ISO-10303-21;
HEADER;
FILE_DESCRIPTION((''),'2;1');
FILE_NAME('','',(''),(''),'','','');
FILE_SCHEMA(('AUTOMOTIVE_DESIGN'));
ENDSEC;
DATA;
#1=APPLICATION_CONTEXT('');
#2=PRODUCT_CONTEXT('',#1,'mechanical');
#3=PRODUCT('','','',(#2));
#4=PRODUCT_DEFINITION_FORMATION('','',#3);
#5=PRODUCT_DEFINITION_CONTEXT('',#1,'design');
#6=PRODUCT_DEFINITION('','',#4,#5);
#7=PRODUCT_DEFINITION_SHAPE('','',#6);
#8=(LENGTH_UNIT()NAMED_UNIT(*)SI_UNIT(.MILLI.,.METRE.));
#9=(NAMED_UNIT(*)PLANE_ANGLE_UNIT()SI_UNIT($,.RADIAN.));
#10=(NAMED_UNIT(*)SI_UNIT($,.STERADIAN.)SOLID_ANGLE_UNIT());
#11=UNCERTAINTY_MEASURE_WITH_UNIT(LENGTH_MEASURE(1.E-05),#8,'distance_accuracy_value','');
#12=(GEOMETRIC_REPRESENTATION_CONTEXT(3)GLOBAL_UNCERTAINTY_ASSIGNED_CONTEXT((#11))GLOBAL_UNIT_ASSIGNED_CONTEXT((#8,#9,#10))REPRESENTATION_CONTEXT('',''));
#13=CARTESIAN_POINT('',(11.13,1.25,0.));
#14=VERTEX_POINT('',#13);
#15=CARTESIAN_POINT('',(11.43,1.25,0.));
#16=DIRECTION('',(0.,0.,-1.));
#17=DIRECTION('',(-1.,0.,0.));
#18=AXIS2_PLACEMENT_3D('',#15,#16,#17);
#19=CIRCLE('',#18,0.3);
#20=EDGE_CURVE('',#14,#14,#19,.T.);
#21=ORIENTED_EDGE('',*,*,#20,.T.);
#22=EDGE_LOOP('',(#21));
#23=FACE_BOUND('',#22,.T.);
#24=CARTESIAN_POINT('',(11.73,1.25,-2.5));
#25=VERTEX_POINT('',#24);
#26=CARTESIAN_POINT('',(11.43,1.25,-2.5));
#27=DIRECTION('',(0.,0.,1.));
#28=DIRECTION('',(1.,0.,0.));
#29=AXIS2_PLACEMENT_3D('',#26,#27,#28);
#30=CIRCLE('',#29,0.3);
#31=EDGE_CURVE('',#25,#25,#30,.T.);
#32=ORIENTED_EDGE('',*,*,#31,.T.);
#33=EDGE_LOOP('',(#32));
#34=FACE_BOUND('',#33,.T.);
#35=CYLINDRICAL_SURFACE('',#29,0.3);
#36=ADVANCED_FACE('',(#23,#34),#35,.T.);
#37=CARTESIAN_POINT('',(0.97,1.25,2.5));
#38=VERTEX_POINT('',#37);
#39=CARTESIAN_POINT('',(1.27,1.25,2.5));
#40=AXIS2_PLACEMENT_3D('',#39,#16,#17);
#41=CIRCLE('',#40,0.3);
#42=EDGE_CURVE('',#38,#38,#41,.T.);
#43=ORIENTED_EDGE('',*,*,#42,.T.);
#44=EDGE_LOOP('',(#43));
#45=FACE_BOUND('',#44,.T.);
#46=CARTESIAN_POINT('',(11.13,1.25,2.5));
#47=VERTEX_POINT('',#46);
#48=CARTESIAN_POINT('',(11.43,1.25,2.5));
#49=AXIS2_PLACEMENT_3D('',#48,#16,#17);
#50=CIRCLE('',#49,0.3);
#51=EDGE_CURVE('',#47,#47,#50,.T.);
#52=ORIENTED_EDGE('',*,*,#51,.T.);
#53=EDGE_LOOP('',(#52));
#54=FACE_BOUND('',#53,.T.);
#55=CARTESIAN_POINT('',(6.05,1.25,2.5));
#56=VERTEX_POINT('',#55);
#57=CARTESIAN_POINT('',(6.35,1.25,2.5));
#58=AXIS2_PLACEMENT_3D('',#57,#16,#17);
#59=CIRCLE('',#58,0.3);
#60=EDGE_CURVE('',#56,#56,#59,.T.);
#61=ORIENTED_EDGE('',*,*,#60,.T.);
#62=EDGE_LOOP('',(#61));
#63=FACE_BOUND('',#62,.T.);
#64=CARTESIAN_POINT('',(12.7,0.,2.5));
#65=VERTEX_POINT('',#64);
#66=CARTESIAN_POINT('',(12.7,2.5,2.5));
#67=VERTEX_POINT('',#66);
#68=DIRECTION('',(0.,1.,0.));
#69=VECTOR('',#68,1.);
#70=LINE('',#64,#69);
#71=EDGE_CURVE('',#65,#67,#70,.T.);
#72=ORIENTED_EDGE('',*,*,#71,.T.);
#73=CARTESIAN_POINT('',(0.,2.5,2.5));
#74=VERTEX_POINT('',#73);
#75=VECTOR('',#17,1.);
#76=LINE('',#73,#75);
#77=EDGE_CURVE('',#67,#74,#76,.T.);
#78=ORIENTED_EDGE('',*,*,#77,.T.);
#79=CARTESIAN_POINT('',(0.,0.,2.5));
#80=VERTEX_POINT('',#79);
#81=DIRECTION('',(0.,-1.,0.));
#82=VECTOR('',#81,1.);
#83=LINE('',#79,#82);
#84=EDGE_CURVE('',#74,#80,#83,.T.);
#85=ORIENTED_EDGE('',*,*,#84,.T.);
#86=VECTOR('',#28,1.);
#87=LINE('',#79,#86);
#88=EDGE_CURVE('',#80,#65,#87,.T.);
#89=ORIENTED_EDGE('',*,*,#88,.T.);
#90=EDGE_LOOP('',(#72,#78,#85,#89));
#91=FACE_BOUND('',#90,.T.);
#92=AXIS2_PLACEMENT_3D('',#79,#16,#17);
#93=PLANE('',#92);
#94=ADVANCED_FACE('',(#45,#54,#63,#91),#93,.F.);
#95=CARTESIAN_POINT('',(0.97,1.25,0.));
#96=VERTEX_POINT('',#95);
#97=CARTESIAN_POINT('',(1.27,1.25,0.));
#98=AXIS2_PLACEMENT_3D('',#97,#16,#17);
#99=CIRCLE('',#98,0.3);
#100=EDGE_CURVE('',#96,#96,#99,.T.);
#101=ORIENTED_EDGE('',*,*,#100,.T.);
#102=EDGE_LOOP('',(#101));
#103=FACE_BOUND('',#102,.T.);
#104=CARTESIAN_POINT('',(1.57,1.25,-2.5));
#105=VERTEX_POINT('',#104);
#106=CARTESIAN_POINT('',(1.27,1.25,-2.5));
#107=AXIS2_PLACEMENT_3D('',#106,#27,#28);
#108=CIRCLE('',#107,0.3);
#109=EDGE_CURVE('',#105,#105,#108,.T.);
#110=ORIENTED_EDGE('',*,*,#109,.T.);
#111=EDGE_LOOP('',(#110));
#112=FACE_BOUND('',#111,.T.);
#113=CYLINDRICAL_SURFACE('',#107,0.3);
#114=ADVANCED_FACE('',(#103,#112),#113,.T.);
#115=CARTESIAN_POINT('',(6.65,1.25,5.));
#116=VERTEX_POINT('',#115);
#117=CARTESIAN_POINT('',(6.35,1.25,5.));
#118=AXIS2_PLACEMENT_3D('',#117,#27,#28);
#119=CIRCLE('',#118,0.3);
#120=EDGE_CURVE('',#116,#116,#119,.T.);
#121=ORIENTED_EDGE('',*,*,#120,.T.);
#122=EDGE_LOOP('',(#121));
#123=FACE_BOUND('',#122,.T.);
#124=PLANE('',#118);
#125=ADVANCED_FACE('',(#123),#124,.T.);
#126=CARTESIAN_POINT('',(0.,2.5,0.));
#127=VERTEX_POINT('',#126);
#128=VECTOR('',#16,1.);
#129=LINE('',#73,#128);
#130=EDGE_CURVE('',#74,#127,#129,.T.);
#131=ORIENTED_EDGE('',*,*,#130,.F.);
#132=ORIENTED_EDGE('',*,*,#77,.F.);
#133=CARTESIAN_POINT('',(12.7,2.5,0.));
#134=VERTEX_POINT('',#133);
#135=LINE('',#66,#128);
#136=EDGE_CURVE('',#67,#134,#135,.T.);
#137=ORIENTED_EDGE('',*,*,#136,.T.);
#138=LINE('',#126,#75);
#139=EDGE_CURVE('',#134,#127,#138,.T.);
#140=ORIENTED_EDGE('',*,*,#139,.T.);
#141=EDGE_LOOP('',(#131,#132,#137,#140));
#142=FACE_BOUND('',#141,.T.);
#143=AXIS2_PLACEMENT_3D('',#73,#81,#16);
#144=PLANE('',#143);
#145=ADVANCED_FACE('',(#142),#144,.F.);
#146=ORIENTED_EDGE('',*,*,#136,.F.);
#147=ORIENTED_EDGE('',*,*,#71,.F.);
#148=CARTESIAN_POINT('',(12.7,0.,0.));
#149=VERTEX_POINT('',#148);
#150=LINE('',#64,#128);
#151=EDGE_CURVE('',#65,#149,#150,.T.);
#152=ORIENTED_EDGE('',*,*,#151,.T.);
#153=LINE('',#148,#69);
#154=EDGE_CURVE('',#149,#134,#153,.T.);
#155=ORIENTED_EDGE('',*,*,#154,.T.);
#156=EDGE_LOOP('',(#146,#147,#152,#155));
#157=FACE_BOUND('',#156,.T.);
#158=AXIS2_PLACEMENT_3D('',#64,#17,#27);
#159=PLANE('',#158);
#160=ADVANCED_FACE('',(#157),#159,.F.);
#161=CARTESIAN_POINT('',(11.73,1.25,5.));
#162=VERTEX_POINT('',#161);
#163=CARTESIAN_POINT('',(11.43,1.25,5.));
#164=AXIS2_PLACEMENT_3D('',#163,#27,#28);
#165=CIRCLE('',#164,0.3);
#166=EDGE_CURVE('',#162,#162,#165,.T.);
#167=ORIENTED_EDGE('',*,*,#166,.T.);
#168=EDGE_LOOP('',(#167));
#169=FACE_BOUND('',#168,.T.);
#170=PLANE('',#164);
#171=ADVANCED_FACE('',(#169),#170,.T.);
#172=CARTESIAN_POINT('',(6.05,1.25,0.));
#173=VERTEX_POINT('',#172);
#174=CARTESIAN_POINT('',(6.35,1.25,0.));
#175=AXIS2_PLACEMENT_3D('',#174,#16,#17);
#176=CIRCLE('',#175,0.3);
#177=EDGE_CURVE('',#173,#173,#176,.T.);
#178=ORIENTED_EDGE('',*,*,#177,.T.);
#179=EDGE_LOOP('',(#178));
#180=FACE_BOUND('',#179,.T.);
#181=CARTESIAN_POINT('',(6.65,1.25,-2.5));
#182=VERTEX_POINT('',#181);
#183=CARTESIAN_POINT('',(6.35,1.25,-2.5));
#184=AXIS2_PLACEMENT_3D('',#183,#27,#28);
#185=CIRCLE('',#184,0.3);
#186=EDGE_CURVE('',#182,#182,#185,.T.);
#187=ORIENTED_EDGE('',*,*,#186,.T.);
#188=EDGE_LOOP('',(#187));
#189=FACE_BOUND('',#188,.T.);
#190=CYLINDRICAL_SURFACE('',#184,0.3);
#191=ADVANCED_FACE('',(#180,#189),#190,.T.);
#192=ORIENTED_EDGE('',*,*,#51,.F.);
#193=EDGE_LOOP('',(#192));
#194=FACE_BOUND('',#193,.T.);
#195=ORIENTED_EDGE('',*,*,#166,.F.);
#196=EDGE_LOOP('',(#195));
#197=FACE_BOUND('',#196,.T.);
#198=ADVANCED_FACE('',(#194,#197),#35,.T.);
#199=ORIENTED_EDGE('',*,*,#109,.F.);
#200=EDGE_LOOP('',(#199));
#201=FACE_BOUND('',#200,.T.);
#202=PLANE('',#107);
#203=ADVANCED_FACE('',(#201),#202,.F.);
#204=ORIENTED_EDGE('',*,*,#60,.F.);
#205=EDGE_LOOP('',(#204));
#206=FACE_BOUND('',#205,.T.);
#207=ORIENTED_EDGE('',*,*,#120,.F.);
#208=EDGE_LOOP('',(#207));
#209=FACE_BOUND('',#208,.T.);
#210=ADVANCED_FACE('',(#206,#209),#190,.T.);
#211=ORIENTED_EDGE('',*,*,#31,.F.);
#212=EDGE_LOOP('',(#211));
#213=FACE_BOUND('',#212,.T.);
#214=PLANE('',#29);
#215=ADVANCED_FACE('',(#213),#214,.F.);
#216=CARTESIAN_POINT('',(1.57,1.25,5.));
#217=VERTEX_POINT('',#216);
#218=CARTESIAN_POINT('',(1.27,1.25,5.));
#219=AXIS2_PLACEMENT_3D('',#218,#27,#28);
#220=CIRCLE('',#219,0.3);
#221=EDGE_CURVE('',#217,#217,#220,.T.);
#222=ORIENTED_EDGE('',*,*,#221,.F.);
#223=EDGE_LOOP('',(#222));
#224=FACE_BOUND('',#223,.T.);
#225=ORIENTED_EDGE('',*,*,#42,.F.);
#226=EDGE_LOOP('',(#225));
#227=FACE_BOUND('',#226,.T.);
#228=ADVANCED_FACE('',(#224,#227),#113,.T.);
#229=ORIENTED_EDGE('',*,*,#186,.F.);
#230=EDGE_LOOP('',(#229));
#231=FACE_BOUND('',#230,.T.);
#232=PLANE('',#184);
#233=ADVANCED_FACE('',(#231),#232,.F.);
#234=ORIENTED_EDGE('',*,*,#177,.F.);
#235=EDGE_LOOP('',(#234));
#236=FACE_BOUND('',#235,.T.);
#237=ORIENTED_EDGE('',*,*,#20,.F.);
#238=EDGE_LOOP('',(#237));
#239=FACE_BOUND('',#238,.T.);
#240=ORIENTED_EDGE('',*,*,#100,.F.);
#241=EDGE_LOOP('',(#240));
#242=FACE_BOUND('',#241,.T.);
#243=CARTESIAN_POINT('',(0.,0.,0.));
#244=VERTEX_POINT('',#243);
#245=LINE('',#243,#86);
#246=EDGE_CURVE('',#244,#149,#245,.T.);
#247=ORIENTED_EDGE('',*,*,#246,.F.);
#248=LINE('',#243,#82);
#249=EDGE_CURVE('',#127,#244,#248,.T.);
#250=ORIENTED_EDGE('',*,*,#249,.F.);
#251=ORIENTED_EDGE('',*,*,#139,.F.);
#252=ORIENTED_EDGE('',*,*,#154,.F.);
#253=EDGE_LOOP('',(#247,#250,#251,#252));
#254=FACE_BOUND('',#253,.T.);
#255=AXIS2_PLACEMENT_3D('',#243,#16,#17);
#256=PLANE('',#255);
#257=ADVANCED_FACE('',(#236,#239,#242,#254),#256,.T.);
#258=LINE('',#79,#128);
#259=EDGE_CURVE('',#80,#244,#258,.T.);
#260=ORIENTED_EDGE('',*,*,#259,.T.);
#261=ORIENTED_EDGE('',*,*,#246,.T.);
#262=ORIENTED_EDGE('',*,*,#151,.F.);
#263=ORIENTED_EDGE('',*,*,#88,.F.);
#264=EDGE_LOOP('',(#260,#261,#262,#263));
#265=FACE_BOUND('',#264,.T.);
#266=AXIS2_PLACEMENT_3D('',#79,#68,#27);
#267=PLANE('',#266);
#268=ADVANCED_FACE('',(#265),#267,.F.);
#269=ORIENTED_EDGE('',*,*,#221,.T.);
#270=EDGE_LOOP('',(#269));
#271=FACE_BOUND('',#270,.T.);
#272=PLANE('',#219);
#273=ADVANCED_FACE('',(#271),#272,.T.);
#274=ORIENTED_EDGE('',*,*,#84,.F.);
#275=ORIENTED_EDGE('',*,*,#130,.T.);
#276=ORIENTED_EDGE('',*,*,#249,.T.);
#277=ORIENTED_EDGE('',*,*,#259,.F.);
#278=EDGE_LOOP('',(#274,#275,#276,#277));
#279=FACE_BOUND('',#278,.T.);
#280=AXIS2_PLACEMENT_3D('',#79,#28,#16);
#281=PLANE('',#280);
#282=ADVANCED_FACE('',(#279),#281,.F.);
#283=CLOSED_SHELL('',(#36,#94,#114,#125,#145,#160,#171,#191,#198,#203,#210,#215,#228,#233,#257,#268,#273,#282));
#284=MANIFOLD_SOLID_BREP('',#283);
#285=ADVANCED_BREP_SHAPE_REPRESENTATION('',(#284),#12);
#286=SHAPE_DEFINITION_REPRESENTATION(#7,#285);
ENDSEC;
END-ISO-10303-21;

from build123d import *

# Parameters (mm, degrees)
SKETCH_1_W                 = 12.7
SKETCH_1_H                 = 2.5
EXTRUDE_1_DEPTH            = 2.5
EXTRUDE_START              = -5
SKETCH_2_R                 = 0.3
EXTRUDE_2_DEPTH            = 7.5
PATTERN_LINEAR_1_COUNT     = 2
PATTERN_LINEAR_1_PITCH     = 5.08
PATTERN_LINEAR_1_COL_COUNT = 2
PATTERN_LINEAR_1_COL_PITCH = 5.08


with BuildPart() as part:
    # 草图1 → 凸台-拉伸1 (new body)
    with BuildSketch(Plane.XY):
        with Locations((6.35, 1.25)):
            Rectangle(SKETCH_1_W, SKETCH_1_H)
    extrude(amount=EXTRUDE_1_DEPTH)

    # 草图2 → 凸台-拉伸2 (add)
    with BuildSketch(Plane.XY.offset(2.5).offset(EXTRUDE_START)):
        with Locations((6.35, 1.25)):
            Circle(SKETCH_2_R)
    extrude_2 = extrude(amount=EXTRUDE_2_DEPTH)

    # 阵列(线性)1: 凸台-拉伸2 ×2
    with Locations(*[(i * PATTERN_LINEAR_1_PITCH, 0, 0) for i in range(1, PATTERN_LINEAR_1_COUNT)]):
        add(extrude_2)

    # 阵列(线性)1 col: 凸台-拉伸2 ×2
    with Locations(*[(-i * PATTERN_LINEAR_1_COL_PITCH, 0, 0) for i in range(1, PATTERN_LINEAR_1_COL_COUNT)]):
        add(extrude_2)


solid = part.part
